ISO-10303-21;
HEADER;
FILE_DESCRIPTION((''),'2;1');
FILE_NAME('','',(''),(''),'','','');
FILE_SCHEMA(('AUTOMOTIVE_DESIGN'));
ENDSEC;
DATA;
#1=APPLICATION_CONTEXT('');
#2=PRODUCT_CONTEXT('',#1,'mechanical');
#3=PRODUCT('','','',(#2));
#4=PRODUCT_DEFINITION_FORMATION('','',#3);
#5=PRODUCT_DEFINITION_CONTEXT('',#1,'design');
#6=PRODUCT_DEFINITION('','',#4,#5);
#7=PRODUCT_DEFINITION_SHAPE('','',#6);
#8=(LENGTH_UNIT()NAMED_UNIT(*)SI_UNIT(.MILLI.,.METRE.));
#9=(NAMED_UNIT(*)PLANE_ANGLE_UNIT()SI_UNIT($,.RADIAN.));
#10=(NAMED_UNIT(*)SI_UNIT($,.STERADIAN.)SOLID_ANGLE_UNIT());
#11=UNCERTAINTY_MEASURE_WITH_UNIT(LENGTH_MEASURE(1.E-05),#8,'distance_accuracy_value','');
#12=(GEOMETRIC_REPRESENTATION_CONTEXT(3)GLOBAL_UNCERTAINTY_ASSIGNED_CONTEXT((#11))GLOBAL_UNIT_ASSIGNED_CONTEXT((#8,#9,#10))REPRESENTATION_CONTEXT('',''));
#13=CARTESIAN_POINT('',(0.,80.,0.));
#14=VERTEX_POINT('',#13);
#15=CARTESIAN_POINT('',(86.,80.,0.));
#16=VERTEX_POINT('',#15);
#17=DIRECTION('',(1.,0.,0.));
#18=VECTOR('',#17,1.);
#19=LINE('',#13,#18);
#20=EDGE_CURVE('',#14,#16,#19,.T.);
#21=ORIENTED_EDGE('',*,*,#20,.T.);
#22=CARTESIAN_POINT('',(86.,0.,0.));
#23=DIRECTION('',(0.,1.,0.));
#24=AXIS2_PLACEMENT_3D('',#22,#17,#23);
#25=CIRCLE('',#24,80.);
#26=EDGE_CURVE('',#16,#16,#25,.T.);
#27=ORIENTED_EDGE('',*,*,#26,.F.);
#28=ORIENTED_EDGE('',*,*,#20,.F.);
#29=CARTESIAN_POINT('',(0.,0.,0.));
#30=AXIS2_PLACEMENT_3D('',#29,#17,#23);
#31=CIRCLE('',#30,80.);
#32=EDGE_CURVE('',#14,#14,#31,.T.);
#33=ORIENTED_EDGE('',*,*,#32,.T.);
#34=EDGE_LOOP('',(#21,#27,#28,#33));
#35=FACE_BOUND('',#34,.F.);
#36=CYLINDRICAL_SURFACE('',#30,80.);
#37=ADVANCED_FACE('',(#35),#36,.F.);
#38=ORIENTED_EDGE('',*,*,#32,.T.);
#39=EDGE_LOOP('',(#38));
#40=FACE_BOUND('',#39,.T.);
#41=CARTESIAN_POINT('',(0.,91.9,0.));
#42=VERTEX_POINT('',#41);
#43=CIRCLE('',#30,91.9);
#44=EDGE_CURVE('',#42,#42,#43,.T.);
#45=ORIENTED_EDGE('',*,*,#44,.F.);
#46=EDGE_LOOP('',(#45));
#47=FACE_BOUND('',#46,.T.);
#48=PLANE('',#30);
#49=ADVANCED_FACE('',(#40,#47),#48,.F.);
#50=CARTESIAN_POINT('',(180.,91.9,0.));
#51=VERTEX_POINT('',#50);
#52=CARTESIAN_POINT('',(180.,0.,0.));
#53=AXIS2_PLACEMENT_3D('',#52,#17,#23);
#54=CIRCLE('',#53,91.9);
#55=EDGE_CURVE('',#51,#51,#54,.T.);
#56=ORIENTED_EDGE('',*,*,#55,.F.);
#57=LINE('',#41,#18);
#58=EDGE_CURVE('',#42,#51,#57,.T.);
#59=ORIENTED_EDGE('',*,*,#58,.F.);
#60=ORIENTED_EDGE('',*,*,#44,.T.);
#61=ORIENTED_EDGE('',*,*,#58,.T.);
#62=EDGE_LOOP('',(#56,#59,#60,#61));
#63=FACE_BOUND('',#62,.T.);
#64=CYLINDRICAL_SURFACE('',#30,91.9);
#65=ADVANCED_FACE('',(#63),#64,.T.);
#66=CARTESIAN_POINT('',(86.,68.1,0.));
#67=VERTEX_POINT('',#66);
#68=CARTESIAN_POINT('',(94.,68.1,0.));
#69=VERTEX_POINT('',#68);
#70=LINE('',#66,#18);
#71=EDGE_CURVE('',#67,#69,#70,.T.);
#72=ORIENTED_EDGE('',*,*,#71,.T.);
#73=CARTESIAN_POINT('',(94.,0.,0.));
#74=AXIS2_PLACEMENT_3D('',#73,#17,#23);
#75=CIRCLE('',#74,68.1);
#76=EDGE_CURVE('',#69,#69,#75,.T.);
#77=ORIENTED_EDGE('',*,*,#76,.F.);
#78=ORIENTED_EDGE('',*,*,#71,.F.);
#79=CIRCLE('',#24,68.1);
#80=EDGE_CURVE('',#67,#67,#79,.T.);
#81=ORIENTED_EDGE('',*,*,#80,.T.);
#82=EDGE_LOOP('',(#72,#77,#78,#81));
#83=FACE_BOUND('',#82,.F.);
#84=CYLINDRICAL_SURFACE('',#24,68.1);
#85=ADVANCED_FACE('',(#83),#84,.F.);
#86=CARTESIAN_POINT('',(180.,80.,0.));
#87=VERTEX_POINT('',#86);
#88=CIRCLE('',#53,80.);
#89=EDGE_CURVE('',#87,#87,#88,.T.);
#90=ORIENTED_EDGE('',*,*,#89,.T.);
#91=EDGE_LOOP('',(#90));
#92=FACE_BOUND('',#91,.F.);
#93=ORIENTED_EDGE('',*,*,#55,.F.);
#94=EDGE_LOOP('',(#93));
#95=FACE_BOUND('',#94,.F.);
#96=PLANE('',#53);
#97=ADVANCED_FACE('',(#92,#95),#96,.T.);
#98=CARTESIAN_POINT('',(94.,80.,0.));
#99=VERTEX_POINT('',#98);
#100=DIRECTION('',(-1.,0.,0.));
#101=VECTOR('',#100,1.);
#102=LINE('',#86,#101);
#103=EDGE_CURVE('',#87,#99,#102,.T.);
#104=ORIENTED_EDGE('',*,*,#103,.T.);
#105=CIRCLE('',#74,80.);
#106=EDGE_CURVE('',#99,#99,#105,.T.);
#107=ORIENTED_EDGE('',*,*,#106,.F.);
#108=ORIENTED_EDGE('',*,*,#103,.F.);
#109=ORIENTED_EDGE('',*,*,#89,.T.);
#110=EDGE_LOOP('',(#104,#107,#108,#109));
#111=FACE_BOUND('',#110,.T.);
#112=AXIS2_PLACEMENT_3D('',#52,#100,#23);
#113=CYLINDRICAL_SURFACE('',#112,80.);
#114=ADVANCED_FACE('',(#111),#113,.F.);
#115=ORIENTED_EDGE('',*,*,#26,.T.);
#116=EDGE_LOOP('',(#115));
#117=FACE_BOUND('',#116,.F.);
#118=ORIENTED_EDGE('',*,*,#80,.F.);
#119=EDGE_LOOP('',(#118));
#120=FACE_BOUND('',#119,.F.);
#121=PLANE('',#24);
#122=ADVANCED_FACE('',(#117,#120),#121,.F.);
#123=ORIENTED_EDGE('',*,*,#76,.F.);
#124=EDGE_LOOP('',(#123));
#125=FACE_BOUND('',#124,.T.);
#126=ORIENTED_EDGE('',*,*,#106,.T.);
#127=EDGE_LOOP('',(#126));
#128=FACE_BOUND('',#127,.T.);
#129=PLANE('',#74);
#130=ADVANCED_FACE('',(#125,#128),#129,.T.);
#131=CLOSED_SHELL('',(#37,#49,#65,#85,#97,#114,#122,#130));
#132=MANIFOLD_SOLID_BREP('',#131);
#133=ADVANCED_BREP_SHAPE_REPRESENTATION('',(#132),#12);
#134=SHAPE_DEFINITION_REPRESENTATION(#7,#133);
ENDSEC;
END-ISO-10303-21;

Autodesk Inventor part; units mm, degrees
ref_plane "YZ Plane" through (0, 0, 0) normal (1, 0, 0) x (0, 1, 0)
ref_plane "XZ Plane" through (0, 0, 0) normal (0, 1, 0) x (-1, 0, 0)
ref_plane "XY Plane" through (0, 0, 0) normal (0, 0, 1) x (1, 0, 0)
sketch "Sketch1" plane through (0, 0, 0) normal (0, 0, 1) x (1, 0, 0)
  line L0 (0, 0) -> (180, 0)
  line L1 (0, 0) -> (0, 80) construction
  line L2 (0, 80) -> (0, 91.9)
  line L3 (0, 91.9) -> (180, 91.9)
  line L4 (0, 80) -> (86, 80)
  line L5 (86, 80) -> (86, 68.1)
  line L6 (86, 68.1) -> (94, 68.1)
  line L7 (90, 0) -> (90, 91.9) construction
  line L8 (180, 0) -> (180, 80) construction
  line L9 (180, 80) -> (180, 91.9)
  line L10 (180, 80) -> (94, 80)
  line L11 (94, 80) -> (94, 68.1)
  line L12 (86, 68.1) -> (86, 0) construction
  line L13 (94, 68.1) -> (94, 0) construction
  dimension "d0" = 160
  dimension "d2" = 11.9
  dimension "d3" = 8
  dimension "d4" = 86
  dimension "d5" = 11.9
revolve "Revolution1" add sketch "Sketch1" angle 360 about axis through (0, 0, 0) along (1, 0, 0)
equation "\"d0\" = d1"
equation "\"d2\" = s1"
equation "\"d3\" = z1"
equation "\"d4\" = t1"
equation "\"d5\" = s1"
equation "\"d1\" = 160"
equation "\"t1\" = 86"
equation "\"z1\" = 8"
equation "\"s1\" = 11.9"
properties part number "DIN 8063 Муфта, тип M 160" material "ПВХ, непластифицированный"
